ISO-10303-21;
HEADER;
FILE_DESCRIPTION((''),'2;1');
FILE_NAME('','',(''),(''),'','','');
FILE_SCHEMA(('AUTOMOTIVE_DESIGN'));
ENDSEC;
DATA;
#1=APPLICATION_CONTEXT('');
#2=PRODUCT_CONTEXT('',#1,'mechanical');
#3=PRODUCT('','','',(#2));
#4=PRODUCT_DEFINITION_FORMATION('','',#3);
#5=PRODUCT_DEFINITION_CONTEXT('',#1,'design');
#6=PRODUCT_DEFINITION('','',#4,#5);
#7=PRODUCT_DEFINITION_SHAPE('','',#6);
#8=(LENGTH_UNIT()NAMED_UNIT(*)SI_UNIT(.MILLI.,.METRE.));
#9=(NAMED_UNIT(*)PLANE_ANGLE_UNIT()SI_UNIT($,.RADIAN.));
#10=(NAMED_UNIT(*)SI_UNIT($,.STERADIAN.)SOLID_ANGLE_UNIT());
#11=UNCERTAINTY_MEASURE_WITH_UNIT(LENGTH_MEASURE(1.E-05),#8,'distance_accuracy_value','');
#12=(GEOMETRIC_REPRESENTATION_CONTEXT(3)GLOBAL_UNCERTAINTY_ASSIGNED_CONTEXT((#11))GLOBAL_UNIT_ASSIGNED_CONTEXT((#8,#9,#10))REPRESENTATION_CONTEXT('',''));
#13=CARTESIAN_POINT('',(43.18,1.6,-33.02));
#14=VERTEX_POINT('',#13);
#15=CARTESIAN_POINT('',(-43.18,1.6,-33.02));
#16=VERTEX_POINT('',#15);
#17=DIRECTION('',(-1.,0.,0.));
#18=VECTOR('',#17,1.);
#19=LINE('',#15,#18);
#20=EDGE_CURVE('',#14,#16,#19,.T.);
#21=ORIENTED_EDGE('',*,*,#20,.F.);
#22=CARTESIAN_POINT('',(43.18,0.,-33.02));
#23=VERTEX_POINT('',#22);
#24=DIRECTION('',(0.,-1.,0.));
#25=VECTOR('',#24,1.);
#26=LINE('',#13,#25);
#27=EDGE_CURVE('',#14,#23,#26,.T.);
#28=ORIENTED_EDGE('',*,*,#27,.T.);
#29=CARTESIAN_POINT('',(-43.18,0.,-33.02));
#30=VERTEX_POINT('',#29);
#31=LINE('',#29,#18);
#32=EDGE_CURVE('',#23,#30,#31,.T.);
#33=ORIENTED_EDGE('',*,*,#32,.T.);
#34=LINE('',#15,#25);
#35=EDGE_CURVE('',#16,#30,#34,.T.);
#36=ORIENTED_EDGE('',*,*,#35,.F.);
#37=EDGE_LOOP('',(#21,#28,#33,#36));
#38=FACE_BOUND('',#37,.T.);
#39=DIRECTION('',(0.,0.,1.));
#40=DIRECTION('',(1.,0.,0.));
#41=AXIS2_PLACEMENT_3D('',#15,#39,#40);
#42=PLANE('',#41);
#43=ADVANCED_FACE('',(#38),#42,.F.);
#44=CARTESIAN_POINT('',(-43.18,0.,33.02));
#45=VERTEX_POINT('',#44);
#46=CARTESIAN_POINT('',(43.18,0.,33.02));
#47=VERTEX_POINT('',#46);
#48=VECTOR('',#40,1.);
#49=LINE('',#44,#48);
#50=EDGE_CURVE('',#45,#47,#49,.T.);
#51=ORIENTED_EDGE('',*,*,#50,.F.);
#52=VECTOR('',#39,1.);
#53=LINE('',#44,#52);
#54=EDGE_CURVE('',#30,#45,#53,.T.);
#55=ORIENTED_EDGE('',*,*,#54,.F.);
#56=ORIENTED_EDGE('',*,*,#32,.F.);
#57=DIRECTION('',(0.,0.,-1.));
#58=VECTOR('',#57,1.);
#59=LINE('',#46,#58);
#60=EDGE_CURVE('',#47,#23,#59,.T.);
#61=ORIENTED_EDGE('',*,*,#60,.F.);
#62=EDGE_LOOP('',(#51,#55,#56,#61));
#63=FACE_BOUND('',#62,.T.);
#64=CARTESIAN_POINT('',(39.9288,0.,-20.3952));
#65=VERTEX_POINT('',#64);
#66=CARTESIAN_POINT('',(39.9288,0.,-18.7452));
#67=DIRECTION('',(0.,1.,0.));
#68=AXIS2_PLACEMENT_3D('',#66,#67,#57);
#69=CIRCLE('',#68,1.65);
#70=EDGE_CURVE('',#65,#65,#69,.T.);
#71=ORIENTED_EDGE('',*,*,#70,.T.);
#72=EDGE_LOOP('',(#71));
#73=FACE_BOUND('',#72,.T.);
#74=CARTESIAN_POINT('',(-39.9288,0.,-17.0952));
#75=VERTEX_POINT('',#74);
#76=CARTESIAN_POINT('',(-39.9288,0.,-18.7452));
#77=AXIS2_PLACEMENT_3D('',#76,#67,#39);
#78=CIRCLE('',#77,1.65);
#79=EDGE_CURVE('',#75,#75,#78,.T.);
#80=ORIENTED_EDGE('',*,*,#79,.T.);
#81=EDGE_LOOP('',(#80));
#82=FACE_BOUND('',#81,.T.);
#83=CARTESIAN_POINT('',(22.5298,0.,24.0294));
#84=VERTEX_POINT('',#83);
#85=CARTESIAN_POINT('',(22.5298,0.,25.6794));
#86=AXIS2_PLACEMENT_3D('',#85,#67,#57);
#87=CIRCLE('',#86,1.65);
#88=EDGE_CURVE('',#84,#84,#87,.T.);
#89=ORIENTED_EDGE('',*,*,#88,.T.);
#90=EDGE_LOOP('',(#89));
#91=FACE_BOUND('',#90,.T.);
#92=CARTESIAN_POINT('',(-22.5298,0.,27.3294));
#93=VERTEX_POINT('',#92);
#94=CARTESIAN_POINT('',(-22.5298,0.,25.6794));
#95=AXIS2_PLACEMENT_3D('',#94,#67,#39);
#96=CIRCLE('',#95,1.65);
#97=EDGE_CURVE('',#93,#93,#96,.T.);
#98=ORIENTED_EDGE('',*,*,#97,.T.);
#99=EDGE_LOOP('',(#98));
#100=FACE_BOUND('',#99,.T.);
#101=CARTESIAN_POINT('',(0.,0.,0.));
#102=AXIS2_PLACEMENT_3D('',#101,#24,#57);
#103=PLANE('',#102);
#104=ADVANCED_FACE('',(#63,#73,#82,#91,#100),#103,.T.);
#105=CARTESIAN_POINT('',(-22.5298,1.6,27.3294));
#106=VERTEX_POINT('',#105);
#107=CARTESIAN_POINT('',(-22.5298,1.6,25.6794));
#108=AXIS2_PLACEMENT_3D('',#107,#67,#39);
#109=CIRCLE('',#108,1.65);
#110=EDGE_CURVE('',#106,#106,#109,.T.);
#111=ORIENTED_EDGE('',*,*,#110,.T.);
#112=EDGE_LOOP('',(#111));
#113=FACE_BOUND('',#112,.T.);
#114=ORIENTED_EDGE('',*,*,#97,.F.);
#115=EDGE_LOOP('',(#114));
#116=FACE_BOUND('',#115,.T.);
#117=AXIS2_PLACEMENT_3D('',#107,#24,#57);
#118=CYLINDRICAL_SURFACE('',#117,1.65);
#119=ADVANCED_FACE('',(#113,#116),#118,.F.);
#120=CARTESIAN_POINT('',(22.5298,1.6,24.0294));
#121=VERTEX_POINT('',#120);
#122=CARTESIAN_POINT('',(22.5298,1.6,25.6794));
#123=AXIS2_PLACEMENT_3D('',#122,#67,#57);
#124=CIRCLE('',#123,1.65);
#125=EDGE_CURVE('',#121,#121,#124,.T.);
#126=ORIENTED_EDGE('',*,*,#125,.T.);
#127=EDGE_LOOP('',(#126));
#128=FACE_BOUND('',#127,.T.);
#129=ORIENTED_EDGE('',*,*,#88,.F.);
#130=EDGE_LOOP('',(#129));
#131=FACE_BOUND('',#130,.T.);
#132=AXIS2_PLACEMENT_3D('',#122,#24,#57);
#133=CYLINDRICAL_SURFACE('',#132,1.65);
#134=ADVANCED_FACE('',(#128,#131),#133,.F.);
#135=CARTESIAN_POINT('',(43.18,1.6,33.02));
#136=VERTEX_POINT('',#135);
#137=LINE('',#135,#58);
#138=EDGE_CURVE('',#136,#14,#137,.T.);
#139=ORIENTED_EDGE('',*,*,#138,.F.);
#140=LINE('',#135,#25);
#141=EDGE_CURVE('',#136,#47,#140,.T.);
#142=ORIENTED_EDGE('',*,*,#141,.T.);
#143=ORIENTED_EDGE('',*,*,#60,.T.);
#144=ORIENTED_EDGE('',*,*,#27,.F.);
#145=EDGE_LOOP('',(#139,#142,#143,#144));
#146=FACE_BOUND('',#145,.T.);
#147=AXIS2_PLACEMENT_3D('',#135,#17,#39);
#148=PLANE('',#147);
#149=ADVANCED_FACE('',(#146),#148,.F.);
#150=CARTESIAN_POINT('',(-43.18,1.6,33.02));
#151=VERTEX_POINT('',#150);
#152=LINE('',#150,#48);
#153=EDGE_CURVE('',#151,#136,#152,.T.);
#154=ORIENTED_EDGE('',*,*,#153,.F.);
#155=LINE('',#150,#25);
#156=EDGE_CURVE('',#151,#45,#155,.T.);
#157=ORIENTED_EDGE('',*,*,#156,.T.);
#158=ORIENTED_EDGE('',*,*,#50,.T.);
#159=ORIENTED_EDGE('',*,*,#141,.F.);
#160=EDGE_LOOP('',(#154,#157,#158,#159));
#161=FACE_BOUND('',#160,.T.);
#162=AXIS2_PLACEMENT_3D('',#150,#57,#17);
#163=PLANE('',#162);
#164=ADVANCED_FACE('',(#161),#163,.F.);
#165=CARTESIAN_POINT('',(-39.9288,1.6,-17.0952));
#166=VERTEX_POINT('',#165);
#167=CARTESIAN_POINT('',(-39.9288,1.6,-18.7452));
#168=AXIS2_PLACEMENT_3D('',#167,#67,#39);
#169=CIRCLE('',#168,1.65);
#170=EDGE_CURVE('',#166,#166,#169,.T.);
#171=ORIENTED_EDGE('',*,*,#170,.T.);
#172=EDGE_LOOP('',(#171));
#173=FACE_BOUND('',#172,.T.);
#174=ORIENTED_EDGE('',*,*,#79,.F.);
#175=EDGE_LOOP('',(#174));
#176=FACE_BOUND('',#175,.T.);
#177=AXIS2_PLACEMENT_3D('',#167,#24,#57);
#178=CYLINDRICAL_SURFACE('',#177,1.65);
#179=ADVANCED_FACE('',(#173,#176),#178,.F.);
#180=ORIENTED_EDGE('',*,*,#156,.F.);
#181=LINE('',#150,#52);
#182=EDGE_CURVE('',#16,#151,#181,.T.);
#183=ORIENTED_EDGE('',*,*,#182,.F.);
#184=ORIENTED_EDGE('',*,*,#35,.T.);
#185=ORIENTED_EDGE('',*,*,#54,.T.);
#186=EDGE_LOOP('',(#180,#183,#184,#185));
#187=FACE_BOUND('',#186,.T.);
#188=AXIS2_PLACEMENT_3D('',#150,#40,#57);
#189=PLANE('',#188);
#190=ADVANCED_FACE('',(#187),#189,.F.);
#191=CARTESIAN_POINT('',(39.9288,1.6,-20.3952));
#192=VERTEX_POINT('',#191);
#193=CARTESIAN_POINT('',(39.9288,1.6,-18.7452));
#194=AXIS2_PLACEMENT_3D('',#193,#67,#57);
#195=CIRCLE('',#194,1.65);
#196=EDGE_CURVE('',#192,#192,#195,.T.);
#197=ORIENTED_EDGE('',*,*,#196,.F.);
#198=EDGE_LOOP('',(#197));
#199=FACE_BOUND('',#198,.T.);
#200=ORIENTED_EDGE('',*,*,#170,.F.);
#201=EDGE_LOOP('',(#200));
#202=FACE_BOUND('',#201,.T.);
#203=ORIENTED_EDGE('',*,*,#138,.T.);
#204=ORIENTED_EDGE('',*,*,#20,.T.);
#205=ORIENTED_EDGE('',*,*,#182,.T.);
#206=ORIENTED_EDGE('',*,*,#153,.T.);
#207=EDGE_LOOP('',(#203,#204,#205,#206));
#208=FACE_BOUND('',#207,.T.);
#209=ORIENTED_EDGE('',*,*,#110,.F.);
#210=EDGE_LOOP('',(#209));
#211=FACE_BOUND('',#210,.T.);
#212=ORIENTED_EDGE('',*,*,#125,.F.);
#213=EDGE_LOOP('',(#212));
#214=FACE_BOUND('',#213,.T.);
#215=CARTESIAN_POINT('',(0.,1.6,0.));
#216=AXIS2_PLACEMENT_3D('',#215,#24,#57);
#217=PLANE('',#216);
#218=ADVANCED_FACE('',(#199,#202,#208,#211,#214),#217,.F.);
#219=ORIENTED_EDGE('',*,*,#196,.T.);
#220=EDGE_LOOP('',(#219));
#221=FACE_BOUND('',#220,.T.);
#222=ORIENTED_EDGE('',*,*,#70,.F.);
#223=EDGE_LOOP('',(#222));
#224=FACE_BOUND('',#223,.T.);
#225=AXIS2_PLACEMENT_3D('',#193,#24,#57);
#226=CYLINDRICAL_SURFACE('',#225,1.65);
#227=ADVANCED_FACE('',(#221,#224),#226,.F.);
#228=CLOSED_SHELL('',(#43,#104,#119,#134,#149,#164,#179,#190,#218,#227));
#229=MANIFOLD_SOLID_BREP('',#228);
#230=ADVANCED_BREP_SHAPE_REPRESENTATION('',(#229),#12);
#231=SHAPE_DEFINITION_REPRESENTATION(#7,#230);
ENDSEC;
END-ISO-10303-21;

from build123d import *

# Parameters (mm, degrees)
SKETCH1_W           = 86.36
SKETCH1_H           = 66.04
SKETCH1_R           = 1.65
BOSS_EXTRUDE1_DEPTH = 1.6


with BuildPart() as part:
    # Sketch1 → Boss-Extrude1 (new body)
    with BuildSketch(Plane(origin=(0, 0, 0), x_dir=(1, 0, 0), z_dir=(0, 1, 0))):
        Rectangle(SKETCH1_W, SKETCH1_H)
        with Locations(Location((-22.5298, -25.6794, 0), (0, 0, 270))):
            Circle(SKETCH1_R, mode=Mode.SUBTRACT)
        with Locations(Location((-39.9288, 18.7452, 0), (0, 0, 270))):
            Circle(SKETCH1_R, mode=Mode.SUBTRACT)
        with Locations(Location((39.9288, 18.7452, 0), (0, 0, 90))):
            Circle(SKETCH1_R, mode=Mode.SUBTRACT)
        with Locations(Location((22.5298, -25.6794, 0), (0, 0, 90))):
            Circle(SKETCH1_R, mode=Mode.SUBTRACT)
    extrude(amount=BOSS_EXTRUDE1_DEPTH)


solid = part.part
